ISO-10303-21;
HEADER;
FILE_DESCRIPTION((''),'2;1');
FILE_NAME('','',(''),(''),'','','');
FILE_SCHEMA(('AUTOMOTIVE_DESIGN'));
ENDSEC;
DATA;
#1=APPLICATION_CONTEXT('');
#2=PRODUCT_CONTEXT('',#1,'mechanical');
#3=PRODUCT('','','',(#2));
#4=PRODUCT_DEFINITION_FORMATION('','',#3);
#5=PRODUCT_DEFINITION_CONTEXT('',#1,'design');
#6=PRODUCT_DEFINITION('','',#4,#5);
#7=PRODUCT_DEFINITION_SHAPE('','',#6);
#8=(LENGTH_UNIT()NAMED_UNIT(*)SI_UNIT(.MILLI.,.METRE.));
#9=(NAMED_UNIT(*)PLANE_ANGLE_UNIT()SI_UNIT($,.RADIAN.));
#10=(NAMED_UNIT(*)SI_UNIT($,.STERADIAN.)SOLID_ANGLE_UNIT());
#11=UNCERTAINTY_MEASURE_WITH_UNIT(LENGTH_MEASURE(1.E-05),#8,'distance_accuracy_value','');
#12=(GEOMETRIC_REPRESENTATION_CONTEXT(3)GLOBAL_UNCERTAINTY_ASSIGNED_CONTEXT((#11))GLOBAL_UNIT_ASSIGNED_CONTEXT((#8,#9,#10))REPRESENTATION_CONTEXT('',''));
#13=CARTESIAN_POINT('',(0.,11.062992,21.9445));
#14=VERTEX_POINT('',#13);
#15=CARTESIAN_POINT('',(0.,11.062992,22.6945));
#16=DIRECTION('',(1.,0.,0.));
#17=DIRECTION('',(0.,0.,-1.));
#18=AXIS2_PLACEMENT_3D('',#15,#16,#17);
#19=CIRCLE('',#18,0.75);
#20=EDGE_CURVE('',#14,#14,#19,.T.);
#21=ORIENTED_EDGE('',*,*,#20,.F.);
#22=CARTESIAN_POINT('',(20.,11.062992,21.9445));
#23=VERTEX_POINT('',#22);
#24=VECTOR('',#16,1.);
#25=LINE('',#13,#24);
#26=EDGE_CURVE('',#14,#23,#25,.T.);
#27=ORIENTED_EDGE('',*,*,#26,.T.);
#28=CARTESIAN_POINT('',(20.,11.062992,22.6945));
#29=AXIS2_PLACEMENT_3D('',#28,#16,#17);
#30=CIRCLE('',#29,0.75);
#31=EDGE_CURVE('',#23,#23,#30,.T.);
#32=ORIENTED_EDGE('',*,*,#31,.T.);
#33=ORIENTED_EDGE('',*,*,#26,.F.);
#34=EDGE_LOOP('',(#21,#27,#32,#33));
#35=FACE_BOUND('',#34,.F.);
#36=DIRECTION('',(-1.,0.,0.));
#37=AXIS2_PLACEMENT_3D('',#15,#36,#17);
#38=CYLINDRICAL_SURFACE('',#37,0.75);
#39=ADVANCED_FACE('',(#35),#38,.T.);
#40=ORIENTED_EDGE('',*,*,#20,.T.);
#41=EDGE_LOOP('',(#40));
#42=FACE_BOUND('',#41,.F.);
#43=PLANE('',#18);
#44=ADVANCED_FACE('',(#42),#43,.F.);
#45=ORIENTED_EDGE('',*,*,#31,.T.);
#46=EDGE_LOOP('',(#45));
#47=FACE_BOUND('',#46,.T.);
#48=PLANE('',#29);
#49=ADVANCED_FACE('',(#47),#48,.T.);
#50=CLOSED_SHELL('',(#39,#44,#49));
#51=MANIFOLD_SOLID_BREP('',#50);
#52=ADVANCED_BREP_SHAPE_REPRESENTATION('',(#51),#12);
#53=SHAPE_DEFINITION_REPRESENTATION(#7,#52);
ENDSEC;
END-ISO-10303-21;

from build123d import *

# Parameters (mm, degrees)
SKETCH1_R           = 0.75
BOSS_EXTRUDE1_DEPTH = 20


with BuildPart() as part:
    # Sketch1 → Boss-Extrude1 (new body)
    with BuildSketch(Plane(origin=(0, 0, 0), x_dir=(0, 0, -1), z_dir=(1, 0, 0))):
        with Locations((-22.694500217, 11.062992171)):
            Circle(SKETCH1_R)
    extrude(amount=BOSS_EXTRUDE1_DEPTH)


solid = part.part
